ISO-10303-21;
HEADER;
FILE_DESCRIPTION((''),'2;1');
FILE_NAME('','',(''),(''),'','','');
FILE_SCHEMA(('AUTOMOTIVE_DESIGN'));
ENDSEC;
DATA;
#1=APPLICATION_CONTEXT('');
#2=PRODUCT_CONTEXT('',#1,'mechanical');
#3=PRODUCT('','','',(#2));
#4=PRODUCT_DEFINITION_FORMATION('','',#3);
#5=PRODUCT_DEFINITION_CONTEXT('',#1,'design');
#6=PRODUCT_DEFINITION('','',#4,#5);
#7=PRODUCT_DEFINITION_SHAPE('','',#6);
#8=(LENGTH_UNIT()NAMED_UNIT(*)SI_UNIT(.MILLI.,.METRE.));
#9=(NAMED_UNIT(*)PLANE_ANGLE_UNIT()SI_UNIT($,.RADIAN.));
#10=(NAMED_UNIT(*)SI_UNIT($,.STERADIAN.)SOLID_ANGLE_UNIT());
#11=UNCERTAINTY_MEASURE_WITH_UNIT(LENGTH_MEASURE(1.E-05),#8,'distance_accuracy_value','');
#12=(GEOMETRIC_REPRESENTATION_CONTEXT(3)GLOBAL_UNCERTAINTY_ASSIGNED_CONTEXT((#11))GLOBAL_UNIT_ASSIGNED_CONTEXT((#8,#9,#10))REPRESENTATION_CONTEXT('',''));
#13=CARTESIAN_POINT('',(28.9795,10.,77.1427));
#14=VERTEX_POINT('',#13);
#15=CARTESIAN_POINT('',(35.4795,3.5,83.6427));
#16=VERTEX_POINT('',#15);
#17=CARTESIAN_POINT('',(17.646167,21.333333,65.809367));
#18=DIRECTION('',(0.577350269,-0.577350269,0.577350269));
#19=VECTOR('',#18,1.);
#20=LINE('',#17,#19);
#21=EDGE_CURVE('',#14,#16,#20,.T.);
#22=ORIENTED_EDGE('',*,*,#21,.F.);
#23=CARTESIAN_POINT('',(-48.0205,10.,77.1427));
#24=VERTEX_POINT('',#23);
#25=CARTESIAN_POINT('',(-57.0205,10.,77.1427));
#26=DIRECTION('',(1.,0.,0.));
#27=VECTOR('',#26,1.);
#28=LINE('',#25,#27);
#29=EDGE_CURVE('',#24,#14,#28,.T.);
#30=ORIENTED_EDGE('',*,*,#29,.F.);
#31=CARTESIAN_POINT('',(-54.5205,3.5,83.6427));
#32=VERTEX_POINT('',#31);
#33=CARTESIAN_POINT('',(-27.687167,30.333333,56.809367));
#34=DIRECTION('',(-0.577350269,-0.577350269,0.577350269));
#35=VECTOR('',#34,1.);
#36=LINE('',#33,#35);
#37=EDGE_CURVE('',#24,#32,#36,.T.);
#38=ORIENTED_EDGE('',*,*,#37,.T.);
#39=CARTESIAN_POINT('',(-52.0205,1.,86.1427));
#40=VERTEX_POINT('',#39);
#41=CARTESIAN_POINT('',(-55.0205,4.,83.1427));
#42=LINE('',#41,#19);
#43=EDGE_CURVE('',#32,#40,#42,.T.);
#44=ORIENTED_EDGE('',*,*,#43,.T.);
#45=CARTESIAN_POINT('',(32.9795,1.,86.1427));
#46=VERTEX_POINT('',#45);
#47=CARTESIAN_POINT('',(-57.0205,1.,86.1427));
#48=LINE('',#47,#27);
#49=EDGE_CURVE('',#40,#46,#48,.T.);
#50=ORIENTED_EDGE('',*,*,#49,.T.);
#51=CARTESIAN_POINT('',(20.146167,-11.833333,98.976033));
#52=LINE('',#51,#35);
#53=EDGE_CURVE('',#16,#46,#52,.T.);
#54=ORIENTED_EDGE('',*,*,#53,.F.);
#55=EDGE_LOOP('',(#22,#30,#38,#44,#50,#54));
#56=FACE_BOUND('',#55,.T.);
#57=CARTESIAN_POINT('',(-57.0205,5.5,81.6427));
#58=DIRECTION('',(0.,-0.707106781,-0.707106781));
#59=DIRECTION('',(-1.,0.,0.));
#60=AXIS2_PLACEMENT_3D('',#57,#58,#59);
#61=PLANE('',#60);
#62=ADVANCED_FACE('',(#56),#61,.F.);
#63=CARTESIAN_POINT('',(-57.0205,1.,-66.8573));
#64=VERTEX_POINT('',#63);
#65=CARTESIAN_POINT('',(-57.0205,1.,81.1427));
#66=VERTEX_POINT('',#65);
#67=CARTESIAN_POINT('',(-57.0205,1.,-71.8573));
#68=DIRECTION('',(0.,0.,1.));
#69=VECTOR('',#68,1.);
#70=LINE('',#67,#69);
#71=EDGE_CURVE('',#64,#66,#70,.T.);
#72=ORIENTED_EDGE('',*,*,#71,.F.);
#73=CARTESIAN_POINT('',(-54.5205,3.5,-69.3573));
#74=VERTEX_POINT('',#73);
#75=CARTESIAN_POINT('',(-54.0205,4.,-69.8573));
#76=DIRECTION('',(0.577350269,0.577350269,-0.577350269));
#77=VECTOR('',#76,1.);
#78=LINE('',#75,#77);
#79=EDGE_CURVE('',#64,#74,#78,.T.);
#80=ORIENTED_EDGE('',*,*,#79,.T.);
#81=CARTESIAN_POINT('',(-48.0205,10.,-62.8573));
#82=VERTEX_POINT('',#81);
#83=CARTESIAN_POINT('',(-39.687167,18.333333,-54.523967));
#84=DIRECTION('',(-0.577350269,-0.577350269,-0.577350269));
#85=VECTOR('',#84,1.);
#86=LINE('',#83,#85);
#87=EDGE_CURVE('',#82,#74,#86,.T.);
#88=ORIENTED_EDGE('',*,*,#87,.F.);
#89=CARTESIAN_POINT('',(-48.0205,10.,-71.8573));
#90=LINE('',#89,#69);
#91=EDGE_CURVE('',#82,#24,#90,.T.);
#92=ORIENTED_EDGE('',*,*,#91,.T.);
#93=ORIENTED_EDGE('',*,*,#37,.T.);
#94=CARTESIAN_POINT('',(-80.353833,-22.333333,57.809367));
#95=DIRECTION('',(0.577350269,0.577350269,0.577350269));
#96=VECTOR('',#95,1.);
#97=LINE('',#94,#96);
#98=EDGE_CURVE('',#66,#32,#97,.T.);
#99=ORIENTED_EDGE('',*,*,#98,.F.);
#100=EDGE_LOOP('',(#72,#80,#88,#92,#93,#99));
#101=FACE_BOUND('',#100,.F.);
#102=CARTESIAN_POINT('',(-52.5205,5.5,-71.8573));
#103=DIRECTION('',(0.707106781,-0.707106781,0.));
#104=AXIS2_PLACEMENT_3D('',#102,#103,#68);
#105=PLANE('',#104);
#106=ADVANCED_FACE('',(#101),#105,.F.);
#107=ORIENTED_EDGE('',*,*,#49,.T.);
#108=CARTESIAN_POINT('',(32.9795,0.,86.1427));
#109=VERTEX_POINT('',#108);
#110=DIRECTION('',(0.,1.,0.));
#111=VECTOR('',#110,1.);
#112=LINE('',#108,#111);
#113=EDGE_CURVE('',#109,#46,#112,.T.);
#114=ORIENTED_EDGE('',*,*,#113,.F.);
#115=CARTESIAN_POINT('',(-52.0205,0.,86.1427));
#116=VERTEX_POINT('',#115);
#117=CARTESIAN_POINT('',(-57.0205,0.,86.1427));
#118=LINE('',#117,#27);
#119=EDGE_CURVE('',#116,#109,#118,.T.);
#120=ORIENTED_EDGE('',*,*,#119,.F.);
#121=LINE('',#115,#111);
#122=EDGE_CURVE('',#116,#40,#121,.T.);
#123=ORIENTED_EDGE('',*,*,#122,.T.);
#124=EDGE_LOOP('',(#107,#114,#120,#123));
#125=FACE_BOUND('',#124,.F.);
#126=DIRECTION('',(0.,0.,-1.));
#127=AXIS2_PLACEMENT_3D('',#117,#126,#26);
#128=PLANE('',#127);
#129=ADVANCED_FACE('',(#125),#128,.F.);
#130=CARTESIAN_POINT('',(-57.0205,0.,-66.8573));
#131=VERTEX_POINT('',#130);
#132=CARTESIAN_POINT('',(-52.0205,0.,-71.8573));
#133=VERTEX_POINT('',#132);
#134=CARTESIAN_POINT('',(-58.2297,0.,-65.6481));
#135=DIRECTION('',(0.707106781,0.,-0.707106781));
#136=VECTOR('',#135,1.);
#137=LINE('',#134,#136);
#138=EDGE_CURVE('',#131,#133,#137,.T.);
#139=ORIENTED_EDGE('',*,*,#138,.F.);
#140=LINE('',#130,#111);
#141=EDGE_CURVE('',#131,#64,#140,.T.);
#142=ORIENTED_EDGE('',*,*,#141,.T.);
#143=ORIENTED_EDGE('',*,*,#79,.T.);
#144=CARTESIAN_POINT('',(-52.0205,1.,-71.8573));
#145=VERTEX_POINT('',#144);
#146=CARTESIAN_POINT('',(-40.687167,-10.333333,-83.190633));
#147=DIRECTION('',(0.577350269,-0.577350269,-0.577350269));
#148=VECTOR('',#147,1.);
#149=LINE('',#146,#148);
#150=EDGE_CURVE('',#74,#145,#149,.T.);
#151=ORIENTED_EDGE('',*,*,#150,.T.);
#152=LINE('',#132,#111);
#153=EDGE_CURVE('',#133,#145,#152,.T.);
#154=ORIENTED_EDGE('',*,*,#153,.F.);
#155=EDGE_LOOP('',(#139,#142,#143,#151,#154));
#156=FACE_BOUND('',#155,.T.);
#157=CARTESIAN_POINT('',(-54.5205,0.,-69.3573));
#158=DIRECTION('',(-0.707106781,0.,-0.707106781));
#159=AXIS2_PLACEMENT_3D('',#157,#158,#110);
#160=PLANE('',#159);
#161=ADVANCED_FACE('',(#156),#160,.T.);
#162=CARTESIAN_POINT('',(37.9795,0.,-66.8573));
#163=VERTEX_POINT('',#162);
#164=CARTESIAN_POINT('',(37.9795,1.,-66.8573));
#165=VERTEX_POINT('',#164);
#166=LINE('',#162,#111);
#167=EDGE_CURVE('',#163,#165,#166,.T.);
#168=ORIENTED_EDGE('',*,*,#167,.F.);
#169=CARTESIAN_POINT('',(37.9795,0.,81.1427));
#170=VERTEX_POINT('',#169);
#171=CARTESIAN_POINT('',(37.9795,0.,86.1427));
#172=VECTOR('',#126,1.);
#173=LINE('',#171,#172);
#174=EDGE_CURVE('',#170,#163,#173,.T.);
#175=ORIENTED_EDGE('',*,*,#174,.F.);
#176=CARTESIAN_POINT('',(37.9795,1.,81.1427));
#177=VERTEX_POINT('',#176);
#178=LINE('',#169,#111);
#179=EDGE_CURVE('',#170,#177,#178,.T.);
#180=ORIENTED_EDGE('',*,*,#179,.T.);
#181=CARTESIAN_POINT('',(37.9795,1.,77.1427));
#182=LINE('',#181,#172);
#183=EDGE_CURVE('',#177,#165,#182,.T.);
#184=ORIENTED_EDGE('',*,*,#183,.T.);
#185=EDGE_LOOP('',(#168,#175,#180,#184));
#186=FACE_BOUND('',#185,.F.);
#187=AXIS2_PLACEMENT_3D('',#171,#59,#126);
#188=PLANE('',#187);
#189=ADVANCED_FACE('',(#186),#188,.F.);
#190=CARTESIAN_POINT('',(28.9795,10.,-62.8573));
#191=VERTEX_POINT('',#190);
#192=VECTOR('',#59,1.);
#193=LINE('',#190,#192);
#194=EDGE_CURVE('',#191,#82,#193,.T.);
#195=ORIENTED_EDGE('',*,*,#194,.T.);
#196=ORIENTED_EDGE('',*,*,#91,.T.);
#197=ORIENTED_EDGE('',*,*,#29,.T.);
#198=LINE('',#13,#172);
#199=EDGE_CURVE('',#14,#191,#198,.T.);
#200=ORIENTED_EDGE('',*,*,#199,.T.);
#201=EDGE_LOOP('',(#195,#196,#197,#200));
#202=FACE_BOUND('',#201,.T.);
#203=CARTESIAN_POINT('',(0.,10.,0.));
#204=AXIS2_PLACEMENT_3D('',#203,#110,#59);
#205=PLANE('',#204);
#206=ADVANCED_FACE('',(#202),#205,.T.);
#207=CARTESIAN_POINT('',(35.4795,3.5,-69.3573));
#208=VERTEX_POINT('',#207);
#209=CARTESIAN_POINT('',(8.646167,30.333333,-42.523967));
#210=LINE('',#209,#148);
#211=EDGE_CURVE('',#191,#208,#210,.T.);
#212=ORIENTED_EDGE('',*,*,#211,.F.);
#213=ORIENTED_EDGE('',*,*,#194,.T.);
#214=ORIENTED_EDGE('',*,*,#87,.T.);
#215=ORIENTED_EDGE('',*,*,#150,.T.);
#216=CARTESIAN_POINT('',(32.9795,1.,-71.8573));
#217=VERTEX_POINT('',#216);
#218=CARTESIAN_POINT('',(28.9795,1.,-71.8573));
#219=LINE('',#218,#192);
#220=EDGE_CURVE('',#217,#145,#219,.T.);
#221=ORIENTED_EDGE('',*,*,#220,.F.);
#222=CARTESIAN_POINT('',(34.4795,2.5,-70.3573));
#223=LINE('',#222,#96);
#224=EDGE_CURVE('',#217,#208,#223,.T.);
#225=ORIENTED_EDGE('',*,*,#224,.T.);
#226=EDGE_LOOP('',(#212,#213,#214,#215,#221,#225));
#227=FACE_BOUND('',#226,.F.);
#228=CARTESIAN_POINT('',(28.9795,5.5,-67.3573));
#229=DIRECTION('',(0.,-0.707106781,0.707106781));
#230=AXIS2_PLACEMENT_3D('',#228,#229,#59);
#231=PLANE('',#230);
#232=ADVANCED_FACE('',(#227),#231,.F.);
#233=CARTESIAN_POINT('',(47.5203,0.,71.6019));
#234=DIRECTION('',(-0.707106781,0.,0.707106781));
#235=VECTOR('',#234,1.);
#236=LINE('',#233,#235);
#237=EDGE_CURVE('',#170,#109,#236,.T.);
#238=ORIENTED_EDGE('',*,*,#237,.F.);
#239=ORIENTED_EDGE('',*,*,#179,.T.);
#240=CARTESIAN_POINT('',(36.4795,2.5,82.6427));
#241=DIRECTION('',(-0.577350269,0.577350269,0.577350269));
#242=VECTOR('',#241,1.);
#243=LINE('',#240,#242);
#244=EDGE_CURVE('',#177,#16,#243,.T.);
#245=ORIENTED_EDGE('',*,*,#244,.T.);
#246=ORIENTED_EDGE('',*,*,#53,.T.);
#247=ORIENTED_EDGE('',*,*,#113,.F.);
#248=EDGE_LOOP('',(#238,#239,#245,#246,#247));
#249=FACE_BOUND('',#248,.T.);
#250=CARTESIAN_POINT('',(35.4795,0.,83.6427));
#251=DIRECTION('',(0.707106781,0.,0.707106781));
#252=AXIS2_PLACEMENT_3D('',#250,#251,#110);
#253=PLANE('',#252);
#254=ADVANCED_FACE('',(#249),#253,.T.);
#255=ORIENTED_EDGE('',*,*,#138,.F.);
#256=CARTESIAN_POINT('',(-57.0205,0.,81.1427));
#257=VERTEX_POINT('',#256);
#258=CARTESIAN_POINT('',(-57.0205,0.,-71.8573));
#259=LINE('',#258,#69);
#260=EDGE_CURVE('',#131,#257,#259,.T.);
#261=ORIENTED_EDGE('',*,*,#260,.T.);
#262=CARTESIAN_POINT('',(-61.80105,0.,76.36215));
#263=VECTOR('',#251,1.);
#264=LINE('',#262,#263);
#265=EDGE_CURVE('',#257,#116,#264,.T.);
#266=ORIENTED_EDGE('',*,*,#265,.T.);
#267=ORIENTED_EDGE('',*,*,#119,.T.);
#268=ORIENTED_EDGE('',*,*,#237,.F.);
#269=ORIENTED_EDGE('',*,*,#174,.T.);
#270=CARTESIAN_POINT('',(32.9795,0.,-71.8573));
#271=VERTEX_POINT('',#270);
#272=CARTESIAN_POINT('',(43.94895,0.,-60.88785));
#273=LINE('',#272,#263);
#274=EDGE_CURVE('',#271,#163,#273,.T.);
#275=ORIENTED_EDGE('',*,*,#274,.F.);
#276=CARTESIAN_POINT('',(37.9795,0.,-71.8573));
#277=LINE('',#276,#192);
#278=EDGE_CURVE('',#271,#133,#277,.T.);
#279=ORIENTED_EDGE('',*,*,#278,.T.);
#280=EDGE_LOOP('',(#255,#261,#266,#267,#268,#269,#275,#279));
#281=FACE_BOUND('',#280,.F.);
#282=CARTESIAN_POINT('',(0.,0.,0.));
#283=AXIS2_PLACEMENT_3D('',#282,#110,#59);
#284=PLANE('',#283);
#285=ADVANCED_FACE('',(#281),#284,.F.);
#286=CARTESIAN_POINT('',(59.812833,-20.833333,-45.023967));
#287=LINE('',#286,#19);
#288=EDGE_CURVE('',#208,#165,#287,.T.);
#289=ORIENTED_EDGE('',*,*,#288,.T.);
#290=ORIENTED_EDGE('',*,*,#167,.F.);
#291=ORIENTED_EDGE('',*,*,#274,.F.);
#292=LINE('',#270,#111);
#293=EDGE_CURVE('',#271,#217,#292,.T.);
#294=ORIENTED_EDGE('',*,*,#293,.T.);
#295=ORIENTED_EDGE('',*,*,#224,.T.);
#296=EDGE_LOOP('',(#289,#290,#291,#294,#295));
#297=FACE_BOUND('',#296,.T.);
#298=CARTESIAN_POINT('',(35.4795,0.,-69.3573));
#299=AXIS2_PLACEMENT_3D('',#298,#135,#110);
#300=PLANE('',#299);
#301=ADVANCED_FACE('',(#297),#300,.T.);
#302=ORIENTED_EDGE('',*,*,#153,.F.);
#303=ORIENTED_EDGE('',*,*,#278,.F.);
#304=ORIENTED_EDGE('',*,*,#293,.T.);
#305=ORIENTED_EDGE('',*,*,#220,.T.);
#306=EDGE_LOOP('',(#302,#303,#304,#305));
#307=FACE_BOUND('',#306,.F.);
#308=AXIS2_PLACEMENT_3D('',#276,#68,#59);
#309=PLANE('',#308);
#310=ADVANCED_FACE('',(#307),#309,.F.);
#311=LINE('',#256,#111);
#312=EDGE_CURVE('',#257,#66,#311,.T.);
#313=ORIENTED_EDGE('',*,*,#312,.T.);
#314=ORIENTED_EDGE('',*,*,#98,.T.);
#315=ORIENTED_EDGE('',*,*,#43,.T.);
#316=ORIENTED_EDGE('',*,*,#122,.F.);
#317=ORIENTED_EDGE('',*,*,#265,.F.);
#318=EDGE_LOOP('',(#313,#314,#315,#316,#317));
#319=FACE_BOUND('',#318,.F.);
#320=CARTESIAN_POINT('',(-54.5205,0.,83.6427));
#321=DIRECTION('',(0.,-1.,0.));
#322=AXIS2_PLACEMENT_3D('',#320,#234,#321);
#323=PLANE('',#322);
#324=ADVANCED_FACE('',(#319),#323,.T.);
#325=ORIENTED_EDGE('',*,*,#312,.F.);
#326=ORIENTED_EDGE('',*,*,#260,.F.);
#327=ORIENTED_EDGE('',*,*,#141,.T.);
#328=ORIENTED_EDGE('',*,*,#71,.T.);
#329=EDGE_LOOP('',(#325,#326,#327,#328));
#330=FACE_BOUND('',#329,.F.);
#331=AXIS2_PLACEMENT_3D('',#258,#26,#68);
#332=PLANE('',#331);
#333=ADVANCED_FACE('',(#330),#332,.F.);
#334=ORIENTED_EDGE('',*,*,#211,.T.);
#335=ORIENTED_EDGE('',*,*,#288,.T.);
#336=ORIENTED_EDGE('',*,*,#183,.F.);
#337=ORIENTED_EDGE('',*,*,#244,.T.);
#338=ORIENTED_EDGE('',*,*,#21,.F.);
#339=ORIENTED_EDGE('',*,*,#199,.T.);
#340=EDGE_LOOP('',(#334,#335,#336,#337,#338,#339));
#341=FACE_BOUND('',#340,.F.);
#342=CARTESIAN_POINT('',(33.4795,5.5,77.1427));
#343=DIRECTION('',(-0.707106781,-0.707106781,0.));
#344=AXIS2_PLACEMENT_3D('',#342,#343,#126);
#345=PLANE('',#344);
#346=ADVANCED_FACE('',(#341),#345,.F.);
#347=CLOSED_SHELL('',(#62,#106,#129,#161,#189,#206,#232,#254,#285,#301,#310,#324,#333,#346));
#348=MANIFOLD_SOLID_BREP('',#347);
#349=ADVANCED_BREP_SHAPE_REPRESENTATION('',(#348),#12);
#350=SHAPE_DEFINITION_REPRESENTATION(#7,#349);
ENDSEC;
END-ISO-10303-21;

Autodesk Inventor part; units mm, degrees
ref_plane "YZ Plane" through (0, 0, 0) normal (1, 0, 0) x (0, 1, 0)
ref_plane "XZ Plane" through (0, 0, 0) normal (0, 1, 0) x (-1, 0, 0)
ref_plane "XY Plane" through (0, 0, 0) normal (0, 0, 1) x (1, 0, 0)
sketch "Эскиз1" plane through (0, 0, 0) normal (0, 1, 0) x (-1, 0, 0)
  line L0 (57.0205, 86.1427) -> (-37.9795, 86.1427)
  line L1 (-37.9795, 86.1427) -> (-37.9795, -71.8573)
  line L2 (-37.9795, -71.8573) -> (57.0205, -71.8573)
  line L3 (57.0205, -71.8573) -> (57.0205, 86.1427)
  point P0 (0, 0)
  dimension "d0" = 158
  dimension "d1" = 95
extrude "Выдавливание1" add sketch "Эскиз1" along normal blind 10
chamfer "Фаска1" distance 9 angle 45 1 edges at (-9.5205, 10, 86.1427) measured on face at (-25.3538, 3.3333, 86.1427)
chamfer "Фаска2" distance 9 angle 45 1 edges at (37.9795, 10, 2.6427) measured on face at (6.3129, 10, 27.476)
chamfer "Фаска3" distance 9 angle 45 1 edges at (-57.0205, 10, 2.6427) measured on face at (-57.0205, 3.3333, 30.476)
chamfer "Фаска4" distance 9 angle 45 1 edges at (-9.5205, 10, -71.8573) measured on face at (-22.3538, 3.3333, -71.8573)
chamfer "Фаска5" distance 5 angle 45 1 edges at (-57.0205, 0.5, -71.8573) measured on face at (-25.3538, 0.3333, -71.8573)
chamfer "Фаска6" distance 5 angle 45 1 edges at (-57.0205, 0.5, 86.1427) measured on face at (-57.0205, 0.3333, -15.8573)
chamfer "Фаска7" distance 5 angle 45 1 edges at (37.9795, 0.5, -71.8573) measured on face at (37.9795, 0.6667, -19.1907)
chamfer "Фаска8" distance 5 angle 45 1 edges at (37.9795, 0.5, 86.1427) measured on face at (37.9795, 0.6667, -15.8573)
